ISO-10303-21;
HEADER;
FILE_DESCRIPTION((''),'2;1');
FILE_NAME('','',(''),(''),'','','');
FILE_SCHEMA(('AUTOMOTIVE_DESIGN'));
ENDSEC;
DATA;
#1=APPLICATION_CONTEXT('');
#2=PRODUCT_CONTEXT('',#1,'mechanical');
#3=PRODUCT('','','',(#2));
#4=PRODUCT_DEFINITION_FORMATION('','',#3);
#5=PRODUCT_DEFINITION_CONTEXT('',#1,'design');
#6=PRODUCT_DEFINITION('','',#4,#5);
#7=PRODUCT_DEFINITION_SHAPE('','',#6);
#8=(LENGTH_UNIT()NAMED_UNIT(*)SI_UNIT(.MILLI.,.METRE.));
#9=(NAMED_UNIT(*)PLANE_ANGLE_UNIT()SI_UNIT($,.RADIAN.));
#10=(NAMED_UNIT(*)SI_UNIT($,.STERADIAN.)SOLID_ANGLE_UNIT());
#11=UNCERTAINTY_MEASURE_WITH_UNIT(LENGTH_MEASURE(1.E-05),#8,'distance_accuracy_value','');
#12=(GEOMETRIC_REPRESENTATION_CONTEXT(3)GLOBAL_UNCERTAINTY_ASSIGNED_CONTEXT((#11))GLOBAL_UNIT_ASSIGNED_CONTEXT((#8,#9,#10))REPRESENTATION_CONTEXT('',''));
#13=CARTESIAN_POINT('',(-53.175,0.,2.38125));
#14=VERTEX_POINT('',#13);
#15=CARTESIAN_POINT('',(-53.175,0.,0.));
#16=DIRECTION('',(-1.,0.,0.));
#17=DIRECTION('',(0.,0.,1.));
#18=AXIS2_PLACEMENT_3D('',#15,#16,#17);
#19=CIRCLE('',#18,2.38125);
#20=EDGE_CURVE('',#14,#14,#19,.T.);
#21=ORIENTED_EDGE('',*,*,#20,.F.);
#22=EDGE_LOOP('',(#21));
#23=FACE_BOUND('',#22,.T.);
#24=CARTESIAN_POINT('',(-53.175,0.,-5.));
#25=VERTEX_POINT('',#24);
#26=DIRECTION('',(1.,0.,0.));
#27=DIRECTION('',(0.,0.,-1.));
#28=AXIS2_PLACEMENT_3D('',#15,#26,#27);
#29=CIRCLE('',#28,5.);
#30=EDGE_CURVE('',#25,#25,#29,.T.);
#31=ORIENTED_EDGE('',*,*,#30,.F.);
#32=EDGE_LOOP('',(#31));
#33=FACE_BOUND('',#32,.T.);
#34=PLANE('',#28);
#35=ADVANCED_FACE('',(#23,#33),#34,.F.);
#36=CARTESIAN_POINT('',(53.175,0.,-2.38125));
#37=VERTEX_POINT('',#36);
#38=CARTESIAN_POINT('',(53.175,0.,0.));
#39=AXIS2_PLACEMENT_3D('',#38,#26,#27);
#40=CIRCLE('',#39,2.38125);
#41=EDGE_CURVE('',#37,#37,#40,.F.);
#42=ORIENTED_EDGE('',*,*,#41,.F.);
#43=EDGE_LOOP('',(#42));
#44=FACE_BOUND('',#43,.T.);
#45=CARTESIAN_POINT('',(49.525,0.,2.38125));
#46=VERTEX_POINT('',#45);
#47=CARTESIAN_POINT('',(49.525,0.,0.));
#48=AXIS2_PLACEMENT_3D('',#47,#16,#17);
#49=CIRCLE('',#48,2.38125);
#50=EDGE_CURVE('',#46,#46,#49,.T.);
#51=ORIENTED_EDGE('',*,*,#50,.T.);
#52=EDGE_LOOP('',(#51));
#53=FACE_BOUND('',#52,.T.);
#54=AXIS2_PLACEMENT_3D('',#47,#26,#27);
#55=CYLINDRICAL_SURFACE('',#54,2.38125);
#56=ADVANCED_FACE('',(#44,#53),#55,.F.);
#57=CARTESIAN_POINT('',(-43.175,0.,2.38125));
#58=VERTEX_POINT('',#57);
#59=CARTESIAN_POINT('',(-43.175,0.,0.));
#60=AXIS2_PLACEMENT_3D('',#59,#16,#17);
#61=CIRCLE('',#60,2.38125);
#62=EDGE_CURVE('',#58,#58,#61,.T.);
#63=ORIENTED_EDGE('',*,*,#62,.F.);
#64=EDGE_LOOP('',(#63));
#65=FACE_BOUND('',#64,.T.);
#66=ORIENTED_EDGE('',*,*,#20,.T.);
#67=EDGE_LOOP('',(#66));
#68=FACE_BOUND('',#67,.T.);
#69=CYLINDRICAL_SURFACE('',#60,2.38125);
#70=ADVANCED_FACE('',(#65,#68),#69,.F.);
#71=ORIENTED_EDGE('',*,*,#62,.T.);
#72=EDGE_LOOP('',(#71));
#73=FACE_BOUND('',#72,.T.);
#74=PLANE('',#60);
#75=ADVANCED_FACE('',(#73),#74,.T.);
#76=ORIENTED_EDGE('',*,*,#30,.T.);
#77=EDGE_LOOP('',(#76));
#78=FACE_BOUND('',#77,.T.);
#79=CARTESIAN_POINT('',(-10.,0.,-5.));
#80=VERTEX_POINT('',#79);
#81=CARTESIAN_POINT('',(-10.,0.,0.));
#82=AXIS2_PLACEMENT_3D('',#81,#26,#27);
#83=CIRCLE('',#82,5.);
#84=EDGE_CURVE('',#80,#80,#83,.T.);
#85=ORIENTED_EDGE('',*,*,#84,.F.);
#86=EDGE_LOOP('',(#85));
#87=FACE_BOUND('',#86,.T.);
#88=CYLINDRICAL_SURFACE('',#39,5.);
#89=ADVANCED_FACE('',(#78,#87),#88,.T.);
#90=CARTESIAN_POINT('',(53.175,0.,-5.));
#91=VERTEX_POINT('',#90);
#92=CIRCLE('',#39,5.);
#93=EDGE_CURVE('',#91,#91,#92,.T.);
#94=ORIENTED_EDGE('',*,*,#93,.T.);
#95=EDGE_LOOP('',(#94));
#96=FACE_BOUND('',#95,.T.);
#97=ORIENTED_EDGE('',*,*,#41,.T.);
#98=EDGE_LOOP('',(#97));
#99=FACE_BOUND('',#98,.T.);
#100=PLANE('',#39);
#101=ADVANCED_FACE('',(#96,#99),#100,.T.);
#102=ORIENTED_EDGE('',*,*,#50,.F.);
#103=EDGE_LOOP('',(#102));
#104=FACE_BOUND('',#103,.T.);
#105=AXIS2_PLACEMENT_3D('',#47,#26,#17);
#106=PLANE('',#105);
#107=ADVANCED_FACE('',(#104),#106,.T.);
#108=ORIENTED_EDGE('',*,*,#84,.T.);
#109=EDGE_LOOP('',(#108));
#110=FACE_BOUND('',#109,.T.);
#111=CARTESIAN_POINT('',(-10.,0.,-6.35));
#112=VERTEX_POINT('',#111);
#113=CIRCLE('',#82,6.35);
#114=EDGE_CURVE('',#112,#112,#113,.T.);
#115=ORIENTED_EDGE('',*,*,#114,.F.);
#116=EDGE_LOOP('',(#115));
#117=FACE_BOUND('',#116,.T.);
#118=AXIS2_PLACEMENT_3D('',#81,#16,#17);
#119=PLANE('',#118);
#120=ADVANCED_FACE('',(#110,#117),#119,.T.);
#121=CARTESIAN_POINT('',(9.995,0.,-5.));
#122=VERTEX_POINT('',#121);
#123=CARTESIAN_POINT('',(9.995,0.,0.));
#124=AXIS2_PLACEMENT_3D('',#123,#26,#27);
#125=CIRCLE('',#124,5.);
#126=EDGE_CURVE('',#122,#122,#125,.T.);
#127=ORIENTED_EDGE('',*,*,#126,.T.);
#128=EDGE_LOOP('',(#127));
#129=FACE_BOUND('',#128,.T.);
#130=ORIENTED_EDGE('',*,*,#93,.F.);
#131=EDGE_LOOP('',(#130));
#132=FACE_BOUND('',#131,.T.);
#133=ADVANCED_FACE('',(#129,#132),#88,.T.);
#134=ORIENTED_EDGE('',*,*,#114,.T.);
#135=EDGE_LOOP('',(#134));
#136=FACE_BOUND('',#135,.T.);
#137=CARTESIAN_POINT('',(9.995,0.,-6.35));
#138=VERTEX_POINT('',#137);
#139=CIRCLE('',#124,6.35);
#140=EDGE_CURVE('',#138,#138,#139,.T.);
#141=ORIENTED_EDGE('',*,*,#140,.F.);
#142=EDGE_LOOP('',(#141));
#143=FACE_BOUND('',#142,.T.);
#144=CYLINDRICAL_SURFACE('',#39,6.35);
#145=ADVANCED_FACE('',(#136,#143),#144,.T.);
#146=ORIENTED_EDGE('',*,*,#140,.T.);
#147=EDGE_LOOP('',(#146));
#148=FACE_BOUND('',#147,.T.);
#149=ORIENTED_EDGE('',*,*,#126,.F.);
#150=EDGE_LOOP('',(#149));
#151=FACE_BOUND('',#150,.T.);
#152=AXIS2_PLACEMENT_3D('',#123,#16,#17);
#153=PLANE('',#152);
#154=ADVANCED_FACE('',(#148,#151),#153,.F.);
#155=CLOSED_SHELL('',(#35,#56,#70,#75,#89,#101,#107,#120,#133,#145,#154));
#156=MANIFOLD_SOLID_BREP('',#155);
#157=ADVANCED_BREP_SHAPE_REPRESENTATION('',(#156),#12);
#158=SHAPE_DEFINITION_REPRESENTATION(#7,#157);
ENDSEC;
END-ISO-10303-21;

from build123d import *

# Parameters (mm, degrees)
CROQUIS2_R            = 2.38125
CORTAR_EXTRUIR1_DEPTH = 10


with BuildPart() as part:
    # Croquis1 → Revolución1 (revolve)
    with BuildSketch(Plane(origin=(0, 0, 0), x_dir=(1, 0, 0), z_dir=(0, 1, 0))):
        Polygon((9.995, 6.35), (-10, 6.35), (-10, 5), (-53.175, 5), (-53.175, 0), (53.175, 0), (53.175, 5), (9.995, 5), align=None)
    revolve(axis=Axis((53.175, 0, 0), (-1, 0, 0)))

    # Croquis2 → Cortar-Extruir1 (cut)
    with BuildSketch(Plane.ZY.offset(53.175)):
        Circle(CROQUIS2_R)
    cortar_extruir1 = extrude(amount=-CORTAR_EXTRUIR1_DEPTH, mode=Mode.SUBTRACT)

    # Simetría1: Cortar-Extruir1 across plane
    add(cortar_extruir1.mirror(Plane.ZY.offset(-3.175)), mode=Mode.SUBTRACT)


solid = part.part
